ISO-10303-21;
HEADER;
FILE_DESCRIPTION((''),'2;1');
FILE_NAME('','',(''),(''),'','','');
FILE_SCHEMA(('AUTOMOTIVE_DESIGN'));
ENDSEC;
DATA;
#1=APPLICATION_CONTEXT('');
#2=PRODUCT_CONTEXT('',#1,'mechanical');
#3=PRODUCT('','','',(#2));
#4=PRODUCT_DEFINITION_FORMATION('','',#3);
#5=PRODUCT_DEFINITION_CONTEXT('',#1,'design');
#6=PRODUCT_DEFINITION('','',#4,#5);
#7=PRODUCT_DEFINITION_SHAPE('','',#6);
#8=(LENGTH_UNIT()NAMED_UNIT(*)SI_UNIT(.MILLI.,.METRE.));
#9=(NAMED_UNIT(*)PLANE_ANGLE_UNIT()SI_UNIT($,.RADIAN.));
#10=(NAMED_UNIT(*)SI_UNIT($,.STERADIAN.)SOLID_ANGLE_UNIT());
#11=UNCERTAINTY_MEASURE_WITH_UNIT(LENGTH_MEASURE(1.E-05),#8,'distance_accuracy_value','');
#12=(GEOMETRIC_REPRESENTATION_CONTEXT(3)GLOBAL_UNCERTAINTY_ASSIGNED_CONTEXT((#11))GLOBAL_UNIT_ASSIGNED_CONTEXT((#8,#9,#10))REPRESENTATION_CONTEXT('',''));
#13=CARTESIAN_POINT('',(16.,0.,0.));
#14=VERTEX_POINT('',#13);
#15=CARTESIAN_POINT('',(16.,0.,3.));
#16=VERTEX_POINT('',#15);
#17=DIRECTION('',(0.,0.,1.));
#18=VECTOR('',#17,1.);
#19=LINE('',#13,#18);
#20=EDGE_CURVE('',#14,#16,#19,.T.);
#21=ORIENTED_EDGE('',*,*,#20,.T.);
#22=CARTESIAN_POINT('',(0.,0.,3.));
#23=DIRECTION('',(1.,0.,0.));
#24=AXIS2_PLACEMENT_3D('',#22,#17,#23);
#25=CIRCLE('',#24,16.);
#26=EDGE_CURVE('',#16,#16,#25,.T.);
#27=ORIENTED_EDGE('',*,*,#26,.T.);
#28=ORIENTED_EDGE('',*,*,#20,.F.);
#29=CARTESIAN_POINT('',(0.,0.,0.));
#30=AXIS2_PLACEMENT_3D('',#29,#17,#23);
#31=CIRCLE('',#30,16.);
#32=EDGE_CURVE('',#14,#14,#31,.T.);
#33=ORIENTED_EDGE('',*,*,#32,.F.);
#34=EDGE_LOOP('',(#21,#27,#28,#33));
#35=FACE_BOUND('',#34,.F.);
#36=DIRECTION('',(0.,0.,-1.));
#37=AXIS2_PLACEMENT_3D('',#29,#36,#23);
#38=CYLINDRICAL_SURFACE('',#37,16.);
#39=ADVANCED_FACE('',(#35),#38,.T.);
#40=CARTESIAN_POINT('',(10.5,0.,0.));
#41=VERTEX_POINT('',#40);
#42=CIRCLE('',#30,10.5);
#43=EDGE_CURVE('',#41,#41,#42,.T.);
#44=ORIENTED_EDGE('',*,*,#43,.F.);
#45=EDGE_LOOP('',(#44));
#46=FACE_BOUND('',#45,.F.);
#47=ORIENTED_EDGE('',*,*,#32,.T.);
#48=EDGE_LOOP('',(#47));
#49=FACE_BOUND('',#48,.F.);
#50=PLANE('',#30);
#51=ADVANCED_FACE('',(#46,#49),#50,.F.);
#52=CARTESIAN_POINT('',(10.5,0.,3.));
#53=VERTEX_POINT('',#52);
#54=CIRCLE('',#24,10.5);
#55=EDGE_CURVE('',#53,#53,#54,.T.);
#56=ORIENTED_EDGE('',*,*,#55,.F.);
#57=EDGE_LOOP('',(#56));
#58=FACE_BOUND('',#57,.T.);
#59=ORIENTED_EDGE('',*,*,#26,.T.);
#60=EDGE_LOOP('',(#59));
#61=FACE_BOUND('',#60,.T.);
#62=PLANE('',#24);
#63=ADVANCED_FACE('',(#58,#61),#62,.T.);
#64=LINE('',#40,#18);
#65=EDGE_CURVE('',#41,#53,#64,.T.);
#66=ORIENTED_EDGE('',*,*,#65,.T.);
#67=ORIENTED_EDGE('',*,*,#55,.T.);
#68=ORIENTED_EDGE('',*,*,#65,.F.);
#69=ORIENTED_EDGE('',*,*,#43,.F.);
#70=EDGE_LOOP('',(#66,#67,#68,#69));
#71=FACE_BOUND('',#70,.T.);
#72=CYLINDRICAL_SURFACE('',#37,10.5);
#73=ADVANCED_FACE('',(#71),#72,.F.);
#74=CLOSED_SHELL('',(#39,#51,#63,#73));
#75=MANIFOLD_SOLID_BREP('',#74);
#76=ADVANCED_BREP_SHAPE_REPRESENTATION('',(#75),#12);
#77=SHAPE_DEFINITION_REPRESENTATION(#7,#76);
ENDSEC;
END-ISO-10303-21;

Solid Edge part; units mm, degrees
sketch "Sketch1" plane through (0, 0, 0) normal (0, 0, 1) x (1, 0, 0)
  circle A0 centre (0, 0) radius 16
  circle A1 centre (0, 0) radius 10.5
extrude "Protrusion1" add sketch "Sketch1" along normal blind 3
